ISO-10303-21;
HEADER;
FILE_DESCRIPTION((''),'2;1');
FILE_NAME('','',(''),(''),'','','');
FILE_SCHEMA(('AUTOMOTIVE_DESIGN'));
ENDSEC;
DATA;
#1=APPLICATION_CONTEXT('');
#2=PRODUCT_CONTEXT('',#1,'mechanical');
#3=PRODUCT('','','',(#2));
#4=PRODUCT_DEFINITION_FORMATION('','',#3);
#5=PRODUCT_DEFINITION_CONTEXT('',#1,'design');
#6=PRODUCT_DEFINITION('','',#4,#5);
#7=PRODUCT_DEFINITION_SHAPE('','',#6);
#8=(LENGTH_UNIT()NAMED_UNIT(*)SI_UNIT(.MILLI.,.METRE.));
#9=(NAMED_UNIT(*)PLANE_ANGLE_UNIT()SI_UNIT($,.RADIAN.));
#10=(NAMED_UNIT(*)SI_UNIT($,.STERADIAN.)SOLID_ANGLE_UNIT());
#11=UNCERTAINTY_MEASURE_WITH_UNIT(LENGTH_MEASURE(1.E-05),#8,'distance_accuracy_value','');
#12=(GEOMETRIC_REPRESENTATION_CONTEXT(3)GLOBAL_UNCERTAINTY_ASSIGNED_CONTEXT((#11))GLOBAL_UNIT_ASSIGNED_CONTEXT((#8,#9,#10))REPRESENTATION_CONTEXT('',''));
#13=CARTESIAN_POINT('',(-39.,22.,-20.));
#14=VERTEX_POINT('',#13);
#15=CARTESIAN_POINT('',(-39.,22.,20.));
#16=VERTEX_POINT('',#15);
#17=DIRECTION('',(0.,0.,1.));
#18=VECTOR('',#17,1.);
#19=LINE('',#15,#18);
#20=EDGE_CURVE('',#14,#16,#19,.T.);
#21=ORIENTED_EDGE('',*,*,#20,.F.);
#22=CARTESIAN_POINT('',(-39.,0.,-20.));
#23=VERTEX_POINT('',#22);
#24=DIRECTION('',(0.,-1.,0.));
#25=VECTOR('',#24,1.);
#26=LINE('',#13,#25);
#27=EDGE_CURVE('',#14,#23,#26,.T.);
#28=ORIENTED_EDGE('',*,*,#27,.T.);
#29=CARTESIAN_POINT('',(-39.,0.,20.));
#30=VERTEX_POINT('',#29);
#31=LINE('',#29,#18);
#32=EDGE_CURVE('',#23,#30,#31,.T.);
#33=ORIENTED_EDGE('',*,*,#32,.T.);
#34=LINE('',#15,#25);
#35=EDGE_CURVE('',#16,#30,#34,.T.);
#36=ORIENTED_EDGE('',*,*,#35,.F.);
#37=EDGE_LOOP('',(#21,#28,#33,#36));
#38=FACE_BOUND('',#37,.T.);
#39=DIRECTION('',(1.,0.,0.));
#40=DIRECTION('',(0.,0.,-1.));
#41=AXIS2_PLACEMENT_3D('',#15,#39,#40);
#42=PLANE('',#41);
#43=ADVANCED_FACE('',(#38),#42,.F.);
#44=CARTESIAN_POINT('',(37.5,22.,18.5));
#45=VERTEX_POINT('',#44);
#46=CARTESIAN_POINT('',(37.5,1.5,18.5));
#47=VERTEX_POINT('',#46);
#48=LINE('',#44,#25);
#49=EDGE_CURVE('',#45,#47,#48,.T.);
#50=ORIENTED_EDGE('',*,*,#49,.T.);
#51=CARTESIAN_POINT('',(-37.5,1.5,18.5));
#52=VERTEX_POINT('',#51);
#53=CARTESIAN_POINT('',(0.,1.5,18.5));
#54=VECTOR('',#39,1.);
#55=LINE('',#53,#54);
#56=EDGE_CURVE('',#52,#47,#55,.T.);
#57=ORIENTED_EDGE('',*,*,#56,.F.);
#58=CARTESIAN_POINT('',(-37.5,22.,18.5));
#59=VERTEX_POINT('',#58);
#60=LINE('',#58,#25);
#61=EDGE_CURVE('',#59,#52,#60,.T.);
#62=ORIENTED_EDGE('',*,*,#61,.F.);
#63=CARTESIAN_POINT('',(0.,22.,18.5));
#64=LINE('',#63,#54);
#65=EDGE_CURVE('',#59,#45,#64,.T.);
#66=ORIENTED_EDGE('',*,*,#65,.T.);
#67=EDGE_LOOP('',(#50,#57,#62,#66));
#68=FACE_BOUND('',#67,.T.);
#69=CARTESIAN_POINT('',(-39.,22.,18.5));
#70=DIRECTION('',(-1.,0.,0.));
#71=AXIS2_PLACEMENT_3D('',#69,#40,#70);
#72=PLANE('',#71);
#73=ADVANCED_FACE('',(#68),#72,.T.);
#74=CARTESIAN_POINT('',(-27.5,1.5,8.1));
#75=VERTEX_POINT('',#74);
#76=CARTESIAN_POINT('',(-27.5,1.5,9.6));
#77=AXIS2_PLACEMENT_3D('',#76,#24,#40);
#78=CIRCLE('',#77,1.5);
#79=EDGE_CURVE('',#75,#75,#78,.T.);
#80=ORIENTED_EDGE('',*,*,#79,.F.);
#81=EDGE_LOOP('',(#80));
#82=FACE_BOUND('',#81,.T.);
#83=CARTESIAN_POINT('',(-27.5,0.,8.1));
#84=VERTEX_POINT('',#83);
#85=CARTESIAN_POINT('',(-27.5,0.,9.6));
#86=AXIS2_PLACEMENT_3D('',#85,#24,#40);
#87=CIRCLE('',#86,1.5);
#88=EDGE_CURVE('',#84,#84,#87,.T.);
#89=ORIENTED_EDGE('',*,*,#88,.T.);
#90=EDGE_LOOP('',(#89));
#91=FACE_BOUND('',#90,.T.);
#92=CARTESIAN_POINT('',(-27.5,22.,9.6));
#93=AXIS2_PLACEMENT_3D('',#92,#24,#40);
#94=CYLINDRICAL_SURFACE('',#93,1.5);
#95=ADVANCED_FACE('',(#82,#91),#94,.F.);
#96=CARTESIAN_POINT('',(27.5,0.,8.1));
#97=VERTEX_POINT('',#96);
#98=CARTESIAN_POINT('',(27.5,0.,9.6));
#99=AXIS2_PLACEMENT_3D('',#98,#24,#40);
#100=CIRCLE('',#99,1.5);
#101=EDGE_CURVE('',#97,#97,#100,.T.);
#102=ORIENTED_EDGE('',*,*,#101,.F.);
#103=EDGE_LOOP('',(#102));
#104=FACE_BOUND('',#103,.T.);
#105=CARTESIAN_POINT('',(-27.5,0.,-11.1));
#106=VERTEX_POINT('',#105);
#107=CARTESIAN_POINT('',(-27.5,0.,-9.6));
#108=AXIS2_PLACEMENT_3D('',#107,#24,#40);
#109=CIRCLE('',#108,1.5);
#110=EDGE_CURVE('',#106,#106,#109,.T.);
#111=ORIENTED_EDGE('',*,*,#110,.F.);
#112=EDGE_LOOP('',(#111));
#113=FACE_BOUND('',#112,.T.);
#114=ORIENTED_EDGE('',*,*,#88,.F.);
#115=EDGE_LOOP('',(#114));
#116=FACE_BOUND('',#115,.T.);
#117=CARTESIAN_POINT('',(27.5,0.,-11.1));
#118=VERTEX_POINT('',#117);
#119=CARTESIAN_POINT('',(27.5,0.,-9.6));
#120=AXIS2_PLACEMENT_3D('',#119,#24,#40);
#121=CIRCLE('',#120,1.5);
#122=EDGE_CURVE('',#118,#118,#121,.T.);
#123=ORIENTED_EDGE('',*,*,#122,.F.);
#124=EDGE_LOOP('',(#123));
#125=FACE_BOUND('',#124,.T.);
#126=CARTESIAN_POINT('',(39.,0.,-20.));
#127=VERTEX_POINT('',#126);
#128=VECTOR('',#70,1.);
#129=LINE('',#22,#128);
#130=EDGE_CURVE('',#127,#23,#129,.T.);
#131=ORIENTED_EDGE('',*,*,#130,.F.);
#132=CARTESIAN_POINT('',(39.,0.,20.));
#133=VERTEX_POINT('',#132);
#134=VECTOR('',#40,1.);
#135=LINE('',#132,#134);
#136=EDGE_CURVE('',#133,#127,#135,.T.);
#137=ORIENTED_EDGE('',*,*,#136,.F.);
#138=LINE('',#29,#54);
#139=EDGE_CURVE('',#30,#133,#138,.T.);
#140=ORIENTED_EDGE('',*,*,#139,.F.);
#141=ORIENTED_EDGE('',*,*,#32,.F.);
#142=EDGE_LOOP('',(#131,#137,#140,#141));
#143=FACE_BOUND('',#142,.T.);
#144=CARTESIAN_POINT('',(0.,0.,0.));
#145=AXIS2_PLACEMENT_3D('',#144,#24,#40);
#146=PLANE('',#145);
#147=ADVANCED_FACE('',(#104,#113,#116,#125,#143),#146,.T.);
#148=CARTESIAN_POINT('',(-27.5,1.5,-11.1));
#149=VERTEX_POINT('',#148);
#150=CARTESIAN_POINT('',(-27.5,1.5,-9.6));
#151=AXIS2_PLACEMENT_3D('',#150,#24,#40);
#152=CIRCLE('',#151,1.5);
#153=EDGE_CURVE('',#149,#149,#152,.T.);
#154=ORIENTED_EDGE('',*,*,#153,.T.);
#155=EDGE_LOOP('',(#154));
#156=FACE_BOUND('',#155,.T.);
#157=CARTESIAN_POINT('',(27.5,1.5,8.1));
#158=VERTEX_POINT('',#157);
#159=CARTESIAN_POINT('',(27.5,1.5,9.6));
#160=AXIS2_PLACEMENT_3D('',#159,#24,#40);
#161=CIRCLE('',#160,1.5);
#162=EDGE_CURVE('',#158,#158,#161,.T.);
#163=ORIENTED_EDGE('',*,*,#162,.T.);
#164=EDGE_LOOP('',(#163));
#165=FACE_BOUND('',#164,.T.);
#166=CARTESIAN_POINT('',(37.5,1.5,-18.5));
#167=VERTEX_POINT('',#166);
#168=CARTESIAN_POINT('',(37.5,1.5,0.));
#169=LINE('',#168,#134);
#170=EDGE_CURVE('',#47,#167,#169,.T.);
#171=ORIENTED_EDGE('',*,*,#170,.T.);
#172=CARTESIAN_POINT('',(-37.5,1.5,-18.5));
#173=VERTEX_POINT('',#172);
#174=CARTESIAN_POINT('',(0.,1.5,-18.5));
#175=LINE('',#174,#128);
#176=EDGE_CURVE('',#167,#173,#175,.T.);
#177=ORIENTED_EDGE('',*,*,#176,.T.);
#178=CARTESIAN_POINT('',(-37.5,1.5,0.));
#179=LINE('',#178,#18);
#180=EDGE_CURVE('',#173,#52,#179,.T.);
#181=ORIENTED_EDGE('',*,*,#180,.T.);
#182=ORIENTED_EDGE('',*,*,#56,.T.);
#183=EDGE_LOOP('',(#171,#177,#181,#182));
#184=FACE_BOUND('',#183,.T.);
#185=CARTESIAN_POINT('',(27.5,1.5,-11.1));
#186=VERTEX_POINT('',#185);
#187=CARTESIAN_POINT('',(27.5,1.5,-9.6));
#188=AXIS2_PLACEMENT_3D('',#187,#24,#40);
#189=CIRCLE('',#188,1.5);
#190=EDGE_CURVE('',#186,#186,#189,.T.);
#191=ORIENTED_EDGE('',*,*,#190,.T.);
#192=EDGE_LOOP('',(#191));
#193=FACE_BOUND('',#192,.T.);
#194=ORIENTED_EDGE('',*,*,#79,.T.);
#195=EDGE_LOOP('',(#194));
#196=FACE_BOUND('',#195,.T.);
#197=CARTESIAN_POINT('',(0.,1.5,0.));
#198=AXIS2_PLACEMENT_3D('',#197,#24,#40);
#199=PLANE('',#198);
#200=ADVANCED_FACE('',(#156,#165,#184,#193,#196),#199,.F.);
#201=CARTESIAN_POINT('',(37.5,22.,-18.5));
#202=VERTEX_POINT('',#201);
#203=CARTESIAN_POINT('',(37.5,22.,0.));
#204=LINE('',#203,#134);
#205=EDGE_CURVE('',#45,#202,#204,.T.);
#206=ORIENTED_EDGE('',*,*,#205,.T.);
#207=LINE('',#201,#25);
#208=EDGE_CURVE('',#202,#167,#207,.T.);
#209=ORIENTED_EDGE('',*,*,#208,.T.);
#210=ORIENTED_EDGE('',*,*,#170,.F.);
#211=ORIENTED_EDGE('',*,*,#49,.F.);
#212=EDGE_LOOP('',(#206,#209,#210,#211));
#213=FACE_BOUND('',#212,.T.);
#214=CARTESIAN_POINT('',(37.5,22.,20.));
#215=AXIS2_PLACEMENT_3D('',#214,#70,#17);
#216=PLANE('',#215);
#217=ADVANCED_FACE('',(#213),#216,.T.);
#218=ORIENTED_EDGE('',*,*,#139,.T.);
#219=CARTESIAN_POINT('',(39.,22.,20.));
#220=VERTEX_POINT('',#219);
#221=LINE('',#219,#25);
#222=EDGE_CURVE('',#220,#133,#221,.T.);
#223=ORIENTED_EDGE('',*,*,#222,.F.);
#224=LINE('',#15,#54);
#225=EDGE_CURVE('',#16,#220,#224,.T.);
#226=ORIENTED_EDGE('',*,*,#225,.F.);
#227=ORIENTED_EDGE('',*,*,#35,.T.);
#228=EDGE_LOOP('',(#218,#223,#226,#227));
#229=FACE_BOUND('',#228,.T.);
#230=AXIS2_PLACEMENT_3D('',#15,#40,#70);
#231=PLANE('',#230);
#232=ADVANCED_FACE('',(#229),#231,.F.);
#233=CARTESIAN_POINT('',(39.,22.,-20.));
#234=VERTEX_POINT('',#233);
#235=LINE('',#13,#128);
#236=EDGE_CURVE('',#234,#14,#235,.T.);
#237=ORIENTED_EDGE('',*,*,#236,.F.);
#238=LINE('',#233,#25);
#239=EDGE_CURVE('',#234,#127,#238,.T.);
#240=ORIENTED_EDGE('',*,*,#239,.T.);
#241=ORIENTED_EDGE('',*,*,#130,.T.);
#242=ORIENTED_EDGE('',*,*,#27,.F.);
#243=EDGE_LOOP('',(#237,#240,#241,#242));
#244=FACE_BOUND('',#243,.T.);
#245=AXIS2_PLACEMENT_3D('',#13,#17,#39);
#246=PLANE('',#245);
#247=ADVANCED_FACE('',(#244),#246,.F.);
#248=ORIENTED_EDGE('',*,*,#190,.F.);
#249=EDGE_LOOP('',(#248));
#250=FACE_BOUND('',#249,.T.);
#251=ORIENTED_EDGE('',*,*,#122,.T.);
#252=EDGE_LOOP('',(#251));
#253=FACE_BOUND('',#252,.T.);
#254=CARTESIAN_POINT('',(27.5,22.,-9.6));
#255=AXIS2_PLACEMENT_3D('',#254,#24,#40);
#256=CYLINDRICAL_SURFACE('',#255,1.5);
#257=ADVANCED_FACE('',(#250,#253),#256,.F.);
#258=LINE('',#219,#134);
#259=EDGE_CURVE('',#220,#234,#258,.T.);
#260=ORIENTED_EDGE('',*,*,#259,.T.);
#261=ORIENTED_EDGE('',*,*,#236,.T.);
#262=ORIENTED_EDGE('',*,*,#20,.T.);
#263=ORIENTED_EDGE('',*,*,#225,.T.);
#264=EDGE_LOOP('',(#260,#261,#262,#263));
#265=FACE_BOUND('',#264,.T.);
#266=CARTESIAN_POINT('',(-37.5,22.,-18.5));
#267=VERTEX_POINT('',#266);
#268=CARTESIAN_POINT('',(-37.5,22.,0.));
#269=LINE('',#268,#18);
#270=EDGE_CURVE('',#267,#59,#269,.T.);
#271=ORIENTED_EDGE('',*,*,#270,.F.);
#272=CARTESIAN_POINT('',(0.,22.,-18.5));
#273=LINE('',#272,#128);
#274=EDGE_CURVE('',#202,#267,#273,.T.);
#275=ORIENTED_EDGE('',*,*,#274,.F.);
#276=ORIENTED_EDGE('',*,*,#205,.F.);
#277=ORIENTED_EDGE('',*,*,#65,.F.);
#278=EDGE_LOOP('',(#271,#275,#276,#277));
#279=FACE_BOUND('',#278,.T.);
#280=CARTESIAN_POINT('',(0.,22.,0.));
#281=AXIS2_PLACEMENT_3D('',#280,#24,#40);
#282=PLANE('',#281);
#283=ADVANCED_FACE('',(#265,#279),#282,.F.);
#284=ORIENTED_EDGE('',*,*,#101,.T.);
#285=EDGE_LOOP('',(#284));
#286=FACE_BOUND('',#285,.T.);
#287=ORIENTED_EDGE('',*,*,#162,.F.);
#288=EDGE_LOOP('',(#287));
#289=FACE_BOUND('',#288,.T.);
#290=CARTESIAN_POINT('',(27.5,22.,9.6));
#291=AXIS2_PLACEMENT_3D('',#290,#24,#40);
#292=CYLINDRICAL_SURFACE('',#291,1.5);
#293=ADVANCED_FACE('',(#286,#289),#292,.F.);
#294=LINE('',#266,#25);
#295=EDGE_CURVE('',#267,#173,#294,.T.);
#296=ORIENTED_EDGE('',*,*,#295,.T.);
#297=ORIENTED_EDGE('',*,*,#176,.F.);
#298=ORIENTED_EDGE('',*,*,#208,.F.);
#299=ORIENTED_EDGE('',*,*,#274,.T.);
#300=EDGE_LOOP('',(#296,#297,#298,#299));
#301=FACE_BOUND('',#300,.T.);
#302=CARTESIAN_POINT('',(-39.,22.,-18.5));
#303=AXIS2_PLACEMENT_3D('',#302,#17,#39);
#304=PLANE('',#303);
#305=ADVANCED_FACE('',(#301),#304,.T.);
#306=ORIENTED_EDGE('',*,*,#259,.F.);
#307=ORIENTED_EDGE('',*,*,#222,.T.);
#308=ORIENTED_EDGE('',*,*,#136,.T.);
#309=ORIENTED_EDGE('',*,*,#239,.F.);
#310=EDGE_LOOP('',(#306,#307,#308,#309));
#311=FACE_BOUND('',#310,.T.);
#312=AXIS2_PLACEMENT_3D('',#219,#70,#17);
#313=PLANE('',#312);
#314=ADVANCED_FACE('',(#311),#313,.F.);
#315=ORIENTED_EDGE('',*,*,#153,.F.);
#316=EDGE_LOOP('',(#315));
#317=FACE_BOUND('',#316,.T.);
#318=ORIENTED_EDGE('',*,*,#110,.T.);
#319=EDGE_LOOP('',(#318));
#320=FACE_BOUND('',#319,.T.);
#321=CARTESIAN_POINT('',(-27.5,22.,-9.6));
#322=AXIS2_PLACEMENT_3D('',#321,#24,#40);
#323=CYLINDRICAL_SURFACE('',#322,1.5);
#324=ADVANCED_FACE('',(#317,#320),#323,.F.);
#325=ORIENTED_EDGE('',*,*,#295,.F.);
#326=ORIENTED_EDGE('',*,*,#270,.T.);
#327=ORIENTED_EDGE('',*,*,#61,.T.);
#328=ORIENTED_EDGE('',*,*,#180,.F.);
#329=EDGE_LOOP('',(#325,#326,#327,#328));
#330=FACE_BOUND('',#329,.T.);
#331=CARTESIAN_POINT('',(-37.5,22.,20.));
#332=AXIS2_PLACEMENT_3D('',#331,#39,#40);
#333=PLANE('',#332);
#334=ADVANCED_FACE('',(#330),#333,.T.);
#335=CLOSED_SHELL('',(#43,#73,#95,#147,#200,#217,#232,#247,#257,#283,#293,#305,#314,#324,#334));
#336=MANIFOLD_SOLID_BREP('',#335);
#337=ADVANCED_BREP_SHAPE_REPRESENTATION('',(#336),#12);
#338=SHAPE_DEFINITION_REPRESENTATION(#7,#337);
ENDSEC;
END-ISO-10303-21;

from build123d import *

# Parameters (mm, degrees)
SKETCH1_W           = 78
SKETCH1_H           = 40
BOSS_EXTRUDE1_DEPTH = 22
SHELL1_T            = -1.5
SKETCH2_R           = 1.5
CUT_EXTRUDE1_DEPTH  = 50.040799341


with BuildPart() as part:
    # Sketch1 → Boss-Extrude1 (new body)
    with BuildSketch(Plane(origin=(0, 0, 0), x_dir=(1, 0, 0), z_dir=(0, 1, 0))):
        Rectangle(SKETCH1_W, SKETCH1_H)
    extrude(amount=BOSS_EXTRUDE1_DEPTH)

    # Shell1
    shell1_openings = [part.faces().sort_by_distance(p)[0] for p in [
        (0, 22, 0),
    ]]
    offset(amount=SHELL1_T, openings=shell1_openings, kind=Kind.INTERSECTION)

    # Sketch2 → Cut-Extrude1 (cut, through all)
    with BuildSketch(Plane.XZ):
        with Locations(Location((27.5, 9.6, 0), (0, 0, 270))):
            Circle(SKETCH2_R)
        with Locations(Location((27.5, -9.6, 0), (0, 0, 270))):
            Circle(SKETCH2_R)
        with Locations(Location((-27.5, -9.6, 0), (0, 0, 270))):
            Circle(SKETCH2_R)
        with Locations(Location((-27.5, 9.6, 0), (0, 0, 270))):
            Circle(SKETCH2_R)
    extrude(amount=-CUT_EXTRUDE1_DEPTH, mode=Mode.SUBTRACT)


solid = part.part
